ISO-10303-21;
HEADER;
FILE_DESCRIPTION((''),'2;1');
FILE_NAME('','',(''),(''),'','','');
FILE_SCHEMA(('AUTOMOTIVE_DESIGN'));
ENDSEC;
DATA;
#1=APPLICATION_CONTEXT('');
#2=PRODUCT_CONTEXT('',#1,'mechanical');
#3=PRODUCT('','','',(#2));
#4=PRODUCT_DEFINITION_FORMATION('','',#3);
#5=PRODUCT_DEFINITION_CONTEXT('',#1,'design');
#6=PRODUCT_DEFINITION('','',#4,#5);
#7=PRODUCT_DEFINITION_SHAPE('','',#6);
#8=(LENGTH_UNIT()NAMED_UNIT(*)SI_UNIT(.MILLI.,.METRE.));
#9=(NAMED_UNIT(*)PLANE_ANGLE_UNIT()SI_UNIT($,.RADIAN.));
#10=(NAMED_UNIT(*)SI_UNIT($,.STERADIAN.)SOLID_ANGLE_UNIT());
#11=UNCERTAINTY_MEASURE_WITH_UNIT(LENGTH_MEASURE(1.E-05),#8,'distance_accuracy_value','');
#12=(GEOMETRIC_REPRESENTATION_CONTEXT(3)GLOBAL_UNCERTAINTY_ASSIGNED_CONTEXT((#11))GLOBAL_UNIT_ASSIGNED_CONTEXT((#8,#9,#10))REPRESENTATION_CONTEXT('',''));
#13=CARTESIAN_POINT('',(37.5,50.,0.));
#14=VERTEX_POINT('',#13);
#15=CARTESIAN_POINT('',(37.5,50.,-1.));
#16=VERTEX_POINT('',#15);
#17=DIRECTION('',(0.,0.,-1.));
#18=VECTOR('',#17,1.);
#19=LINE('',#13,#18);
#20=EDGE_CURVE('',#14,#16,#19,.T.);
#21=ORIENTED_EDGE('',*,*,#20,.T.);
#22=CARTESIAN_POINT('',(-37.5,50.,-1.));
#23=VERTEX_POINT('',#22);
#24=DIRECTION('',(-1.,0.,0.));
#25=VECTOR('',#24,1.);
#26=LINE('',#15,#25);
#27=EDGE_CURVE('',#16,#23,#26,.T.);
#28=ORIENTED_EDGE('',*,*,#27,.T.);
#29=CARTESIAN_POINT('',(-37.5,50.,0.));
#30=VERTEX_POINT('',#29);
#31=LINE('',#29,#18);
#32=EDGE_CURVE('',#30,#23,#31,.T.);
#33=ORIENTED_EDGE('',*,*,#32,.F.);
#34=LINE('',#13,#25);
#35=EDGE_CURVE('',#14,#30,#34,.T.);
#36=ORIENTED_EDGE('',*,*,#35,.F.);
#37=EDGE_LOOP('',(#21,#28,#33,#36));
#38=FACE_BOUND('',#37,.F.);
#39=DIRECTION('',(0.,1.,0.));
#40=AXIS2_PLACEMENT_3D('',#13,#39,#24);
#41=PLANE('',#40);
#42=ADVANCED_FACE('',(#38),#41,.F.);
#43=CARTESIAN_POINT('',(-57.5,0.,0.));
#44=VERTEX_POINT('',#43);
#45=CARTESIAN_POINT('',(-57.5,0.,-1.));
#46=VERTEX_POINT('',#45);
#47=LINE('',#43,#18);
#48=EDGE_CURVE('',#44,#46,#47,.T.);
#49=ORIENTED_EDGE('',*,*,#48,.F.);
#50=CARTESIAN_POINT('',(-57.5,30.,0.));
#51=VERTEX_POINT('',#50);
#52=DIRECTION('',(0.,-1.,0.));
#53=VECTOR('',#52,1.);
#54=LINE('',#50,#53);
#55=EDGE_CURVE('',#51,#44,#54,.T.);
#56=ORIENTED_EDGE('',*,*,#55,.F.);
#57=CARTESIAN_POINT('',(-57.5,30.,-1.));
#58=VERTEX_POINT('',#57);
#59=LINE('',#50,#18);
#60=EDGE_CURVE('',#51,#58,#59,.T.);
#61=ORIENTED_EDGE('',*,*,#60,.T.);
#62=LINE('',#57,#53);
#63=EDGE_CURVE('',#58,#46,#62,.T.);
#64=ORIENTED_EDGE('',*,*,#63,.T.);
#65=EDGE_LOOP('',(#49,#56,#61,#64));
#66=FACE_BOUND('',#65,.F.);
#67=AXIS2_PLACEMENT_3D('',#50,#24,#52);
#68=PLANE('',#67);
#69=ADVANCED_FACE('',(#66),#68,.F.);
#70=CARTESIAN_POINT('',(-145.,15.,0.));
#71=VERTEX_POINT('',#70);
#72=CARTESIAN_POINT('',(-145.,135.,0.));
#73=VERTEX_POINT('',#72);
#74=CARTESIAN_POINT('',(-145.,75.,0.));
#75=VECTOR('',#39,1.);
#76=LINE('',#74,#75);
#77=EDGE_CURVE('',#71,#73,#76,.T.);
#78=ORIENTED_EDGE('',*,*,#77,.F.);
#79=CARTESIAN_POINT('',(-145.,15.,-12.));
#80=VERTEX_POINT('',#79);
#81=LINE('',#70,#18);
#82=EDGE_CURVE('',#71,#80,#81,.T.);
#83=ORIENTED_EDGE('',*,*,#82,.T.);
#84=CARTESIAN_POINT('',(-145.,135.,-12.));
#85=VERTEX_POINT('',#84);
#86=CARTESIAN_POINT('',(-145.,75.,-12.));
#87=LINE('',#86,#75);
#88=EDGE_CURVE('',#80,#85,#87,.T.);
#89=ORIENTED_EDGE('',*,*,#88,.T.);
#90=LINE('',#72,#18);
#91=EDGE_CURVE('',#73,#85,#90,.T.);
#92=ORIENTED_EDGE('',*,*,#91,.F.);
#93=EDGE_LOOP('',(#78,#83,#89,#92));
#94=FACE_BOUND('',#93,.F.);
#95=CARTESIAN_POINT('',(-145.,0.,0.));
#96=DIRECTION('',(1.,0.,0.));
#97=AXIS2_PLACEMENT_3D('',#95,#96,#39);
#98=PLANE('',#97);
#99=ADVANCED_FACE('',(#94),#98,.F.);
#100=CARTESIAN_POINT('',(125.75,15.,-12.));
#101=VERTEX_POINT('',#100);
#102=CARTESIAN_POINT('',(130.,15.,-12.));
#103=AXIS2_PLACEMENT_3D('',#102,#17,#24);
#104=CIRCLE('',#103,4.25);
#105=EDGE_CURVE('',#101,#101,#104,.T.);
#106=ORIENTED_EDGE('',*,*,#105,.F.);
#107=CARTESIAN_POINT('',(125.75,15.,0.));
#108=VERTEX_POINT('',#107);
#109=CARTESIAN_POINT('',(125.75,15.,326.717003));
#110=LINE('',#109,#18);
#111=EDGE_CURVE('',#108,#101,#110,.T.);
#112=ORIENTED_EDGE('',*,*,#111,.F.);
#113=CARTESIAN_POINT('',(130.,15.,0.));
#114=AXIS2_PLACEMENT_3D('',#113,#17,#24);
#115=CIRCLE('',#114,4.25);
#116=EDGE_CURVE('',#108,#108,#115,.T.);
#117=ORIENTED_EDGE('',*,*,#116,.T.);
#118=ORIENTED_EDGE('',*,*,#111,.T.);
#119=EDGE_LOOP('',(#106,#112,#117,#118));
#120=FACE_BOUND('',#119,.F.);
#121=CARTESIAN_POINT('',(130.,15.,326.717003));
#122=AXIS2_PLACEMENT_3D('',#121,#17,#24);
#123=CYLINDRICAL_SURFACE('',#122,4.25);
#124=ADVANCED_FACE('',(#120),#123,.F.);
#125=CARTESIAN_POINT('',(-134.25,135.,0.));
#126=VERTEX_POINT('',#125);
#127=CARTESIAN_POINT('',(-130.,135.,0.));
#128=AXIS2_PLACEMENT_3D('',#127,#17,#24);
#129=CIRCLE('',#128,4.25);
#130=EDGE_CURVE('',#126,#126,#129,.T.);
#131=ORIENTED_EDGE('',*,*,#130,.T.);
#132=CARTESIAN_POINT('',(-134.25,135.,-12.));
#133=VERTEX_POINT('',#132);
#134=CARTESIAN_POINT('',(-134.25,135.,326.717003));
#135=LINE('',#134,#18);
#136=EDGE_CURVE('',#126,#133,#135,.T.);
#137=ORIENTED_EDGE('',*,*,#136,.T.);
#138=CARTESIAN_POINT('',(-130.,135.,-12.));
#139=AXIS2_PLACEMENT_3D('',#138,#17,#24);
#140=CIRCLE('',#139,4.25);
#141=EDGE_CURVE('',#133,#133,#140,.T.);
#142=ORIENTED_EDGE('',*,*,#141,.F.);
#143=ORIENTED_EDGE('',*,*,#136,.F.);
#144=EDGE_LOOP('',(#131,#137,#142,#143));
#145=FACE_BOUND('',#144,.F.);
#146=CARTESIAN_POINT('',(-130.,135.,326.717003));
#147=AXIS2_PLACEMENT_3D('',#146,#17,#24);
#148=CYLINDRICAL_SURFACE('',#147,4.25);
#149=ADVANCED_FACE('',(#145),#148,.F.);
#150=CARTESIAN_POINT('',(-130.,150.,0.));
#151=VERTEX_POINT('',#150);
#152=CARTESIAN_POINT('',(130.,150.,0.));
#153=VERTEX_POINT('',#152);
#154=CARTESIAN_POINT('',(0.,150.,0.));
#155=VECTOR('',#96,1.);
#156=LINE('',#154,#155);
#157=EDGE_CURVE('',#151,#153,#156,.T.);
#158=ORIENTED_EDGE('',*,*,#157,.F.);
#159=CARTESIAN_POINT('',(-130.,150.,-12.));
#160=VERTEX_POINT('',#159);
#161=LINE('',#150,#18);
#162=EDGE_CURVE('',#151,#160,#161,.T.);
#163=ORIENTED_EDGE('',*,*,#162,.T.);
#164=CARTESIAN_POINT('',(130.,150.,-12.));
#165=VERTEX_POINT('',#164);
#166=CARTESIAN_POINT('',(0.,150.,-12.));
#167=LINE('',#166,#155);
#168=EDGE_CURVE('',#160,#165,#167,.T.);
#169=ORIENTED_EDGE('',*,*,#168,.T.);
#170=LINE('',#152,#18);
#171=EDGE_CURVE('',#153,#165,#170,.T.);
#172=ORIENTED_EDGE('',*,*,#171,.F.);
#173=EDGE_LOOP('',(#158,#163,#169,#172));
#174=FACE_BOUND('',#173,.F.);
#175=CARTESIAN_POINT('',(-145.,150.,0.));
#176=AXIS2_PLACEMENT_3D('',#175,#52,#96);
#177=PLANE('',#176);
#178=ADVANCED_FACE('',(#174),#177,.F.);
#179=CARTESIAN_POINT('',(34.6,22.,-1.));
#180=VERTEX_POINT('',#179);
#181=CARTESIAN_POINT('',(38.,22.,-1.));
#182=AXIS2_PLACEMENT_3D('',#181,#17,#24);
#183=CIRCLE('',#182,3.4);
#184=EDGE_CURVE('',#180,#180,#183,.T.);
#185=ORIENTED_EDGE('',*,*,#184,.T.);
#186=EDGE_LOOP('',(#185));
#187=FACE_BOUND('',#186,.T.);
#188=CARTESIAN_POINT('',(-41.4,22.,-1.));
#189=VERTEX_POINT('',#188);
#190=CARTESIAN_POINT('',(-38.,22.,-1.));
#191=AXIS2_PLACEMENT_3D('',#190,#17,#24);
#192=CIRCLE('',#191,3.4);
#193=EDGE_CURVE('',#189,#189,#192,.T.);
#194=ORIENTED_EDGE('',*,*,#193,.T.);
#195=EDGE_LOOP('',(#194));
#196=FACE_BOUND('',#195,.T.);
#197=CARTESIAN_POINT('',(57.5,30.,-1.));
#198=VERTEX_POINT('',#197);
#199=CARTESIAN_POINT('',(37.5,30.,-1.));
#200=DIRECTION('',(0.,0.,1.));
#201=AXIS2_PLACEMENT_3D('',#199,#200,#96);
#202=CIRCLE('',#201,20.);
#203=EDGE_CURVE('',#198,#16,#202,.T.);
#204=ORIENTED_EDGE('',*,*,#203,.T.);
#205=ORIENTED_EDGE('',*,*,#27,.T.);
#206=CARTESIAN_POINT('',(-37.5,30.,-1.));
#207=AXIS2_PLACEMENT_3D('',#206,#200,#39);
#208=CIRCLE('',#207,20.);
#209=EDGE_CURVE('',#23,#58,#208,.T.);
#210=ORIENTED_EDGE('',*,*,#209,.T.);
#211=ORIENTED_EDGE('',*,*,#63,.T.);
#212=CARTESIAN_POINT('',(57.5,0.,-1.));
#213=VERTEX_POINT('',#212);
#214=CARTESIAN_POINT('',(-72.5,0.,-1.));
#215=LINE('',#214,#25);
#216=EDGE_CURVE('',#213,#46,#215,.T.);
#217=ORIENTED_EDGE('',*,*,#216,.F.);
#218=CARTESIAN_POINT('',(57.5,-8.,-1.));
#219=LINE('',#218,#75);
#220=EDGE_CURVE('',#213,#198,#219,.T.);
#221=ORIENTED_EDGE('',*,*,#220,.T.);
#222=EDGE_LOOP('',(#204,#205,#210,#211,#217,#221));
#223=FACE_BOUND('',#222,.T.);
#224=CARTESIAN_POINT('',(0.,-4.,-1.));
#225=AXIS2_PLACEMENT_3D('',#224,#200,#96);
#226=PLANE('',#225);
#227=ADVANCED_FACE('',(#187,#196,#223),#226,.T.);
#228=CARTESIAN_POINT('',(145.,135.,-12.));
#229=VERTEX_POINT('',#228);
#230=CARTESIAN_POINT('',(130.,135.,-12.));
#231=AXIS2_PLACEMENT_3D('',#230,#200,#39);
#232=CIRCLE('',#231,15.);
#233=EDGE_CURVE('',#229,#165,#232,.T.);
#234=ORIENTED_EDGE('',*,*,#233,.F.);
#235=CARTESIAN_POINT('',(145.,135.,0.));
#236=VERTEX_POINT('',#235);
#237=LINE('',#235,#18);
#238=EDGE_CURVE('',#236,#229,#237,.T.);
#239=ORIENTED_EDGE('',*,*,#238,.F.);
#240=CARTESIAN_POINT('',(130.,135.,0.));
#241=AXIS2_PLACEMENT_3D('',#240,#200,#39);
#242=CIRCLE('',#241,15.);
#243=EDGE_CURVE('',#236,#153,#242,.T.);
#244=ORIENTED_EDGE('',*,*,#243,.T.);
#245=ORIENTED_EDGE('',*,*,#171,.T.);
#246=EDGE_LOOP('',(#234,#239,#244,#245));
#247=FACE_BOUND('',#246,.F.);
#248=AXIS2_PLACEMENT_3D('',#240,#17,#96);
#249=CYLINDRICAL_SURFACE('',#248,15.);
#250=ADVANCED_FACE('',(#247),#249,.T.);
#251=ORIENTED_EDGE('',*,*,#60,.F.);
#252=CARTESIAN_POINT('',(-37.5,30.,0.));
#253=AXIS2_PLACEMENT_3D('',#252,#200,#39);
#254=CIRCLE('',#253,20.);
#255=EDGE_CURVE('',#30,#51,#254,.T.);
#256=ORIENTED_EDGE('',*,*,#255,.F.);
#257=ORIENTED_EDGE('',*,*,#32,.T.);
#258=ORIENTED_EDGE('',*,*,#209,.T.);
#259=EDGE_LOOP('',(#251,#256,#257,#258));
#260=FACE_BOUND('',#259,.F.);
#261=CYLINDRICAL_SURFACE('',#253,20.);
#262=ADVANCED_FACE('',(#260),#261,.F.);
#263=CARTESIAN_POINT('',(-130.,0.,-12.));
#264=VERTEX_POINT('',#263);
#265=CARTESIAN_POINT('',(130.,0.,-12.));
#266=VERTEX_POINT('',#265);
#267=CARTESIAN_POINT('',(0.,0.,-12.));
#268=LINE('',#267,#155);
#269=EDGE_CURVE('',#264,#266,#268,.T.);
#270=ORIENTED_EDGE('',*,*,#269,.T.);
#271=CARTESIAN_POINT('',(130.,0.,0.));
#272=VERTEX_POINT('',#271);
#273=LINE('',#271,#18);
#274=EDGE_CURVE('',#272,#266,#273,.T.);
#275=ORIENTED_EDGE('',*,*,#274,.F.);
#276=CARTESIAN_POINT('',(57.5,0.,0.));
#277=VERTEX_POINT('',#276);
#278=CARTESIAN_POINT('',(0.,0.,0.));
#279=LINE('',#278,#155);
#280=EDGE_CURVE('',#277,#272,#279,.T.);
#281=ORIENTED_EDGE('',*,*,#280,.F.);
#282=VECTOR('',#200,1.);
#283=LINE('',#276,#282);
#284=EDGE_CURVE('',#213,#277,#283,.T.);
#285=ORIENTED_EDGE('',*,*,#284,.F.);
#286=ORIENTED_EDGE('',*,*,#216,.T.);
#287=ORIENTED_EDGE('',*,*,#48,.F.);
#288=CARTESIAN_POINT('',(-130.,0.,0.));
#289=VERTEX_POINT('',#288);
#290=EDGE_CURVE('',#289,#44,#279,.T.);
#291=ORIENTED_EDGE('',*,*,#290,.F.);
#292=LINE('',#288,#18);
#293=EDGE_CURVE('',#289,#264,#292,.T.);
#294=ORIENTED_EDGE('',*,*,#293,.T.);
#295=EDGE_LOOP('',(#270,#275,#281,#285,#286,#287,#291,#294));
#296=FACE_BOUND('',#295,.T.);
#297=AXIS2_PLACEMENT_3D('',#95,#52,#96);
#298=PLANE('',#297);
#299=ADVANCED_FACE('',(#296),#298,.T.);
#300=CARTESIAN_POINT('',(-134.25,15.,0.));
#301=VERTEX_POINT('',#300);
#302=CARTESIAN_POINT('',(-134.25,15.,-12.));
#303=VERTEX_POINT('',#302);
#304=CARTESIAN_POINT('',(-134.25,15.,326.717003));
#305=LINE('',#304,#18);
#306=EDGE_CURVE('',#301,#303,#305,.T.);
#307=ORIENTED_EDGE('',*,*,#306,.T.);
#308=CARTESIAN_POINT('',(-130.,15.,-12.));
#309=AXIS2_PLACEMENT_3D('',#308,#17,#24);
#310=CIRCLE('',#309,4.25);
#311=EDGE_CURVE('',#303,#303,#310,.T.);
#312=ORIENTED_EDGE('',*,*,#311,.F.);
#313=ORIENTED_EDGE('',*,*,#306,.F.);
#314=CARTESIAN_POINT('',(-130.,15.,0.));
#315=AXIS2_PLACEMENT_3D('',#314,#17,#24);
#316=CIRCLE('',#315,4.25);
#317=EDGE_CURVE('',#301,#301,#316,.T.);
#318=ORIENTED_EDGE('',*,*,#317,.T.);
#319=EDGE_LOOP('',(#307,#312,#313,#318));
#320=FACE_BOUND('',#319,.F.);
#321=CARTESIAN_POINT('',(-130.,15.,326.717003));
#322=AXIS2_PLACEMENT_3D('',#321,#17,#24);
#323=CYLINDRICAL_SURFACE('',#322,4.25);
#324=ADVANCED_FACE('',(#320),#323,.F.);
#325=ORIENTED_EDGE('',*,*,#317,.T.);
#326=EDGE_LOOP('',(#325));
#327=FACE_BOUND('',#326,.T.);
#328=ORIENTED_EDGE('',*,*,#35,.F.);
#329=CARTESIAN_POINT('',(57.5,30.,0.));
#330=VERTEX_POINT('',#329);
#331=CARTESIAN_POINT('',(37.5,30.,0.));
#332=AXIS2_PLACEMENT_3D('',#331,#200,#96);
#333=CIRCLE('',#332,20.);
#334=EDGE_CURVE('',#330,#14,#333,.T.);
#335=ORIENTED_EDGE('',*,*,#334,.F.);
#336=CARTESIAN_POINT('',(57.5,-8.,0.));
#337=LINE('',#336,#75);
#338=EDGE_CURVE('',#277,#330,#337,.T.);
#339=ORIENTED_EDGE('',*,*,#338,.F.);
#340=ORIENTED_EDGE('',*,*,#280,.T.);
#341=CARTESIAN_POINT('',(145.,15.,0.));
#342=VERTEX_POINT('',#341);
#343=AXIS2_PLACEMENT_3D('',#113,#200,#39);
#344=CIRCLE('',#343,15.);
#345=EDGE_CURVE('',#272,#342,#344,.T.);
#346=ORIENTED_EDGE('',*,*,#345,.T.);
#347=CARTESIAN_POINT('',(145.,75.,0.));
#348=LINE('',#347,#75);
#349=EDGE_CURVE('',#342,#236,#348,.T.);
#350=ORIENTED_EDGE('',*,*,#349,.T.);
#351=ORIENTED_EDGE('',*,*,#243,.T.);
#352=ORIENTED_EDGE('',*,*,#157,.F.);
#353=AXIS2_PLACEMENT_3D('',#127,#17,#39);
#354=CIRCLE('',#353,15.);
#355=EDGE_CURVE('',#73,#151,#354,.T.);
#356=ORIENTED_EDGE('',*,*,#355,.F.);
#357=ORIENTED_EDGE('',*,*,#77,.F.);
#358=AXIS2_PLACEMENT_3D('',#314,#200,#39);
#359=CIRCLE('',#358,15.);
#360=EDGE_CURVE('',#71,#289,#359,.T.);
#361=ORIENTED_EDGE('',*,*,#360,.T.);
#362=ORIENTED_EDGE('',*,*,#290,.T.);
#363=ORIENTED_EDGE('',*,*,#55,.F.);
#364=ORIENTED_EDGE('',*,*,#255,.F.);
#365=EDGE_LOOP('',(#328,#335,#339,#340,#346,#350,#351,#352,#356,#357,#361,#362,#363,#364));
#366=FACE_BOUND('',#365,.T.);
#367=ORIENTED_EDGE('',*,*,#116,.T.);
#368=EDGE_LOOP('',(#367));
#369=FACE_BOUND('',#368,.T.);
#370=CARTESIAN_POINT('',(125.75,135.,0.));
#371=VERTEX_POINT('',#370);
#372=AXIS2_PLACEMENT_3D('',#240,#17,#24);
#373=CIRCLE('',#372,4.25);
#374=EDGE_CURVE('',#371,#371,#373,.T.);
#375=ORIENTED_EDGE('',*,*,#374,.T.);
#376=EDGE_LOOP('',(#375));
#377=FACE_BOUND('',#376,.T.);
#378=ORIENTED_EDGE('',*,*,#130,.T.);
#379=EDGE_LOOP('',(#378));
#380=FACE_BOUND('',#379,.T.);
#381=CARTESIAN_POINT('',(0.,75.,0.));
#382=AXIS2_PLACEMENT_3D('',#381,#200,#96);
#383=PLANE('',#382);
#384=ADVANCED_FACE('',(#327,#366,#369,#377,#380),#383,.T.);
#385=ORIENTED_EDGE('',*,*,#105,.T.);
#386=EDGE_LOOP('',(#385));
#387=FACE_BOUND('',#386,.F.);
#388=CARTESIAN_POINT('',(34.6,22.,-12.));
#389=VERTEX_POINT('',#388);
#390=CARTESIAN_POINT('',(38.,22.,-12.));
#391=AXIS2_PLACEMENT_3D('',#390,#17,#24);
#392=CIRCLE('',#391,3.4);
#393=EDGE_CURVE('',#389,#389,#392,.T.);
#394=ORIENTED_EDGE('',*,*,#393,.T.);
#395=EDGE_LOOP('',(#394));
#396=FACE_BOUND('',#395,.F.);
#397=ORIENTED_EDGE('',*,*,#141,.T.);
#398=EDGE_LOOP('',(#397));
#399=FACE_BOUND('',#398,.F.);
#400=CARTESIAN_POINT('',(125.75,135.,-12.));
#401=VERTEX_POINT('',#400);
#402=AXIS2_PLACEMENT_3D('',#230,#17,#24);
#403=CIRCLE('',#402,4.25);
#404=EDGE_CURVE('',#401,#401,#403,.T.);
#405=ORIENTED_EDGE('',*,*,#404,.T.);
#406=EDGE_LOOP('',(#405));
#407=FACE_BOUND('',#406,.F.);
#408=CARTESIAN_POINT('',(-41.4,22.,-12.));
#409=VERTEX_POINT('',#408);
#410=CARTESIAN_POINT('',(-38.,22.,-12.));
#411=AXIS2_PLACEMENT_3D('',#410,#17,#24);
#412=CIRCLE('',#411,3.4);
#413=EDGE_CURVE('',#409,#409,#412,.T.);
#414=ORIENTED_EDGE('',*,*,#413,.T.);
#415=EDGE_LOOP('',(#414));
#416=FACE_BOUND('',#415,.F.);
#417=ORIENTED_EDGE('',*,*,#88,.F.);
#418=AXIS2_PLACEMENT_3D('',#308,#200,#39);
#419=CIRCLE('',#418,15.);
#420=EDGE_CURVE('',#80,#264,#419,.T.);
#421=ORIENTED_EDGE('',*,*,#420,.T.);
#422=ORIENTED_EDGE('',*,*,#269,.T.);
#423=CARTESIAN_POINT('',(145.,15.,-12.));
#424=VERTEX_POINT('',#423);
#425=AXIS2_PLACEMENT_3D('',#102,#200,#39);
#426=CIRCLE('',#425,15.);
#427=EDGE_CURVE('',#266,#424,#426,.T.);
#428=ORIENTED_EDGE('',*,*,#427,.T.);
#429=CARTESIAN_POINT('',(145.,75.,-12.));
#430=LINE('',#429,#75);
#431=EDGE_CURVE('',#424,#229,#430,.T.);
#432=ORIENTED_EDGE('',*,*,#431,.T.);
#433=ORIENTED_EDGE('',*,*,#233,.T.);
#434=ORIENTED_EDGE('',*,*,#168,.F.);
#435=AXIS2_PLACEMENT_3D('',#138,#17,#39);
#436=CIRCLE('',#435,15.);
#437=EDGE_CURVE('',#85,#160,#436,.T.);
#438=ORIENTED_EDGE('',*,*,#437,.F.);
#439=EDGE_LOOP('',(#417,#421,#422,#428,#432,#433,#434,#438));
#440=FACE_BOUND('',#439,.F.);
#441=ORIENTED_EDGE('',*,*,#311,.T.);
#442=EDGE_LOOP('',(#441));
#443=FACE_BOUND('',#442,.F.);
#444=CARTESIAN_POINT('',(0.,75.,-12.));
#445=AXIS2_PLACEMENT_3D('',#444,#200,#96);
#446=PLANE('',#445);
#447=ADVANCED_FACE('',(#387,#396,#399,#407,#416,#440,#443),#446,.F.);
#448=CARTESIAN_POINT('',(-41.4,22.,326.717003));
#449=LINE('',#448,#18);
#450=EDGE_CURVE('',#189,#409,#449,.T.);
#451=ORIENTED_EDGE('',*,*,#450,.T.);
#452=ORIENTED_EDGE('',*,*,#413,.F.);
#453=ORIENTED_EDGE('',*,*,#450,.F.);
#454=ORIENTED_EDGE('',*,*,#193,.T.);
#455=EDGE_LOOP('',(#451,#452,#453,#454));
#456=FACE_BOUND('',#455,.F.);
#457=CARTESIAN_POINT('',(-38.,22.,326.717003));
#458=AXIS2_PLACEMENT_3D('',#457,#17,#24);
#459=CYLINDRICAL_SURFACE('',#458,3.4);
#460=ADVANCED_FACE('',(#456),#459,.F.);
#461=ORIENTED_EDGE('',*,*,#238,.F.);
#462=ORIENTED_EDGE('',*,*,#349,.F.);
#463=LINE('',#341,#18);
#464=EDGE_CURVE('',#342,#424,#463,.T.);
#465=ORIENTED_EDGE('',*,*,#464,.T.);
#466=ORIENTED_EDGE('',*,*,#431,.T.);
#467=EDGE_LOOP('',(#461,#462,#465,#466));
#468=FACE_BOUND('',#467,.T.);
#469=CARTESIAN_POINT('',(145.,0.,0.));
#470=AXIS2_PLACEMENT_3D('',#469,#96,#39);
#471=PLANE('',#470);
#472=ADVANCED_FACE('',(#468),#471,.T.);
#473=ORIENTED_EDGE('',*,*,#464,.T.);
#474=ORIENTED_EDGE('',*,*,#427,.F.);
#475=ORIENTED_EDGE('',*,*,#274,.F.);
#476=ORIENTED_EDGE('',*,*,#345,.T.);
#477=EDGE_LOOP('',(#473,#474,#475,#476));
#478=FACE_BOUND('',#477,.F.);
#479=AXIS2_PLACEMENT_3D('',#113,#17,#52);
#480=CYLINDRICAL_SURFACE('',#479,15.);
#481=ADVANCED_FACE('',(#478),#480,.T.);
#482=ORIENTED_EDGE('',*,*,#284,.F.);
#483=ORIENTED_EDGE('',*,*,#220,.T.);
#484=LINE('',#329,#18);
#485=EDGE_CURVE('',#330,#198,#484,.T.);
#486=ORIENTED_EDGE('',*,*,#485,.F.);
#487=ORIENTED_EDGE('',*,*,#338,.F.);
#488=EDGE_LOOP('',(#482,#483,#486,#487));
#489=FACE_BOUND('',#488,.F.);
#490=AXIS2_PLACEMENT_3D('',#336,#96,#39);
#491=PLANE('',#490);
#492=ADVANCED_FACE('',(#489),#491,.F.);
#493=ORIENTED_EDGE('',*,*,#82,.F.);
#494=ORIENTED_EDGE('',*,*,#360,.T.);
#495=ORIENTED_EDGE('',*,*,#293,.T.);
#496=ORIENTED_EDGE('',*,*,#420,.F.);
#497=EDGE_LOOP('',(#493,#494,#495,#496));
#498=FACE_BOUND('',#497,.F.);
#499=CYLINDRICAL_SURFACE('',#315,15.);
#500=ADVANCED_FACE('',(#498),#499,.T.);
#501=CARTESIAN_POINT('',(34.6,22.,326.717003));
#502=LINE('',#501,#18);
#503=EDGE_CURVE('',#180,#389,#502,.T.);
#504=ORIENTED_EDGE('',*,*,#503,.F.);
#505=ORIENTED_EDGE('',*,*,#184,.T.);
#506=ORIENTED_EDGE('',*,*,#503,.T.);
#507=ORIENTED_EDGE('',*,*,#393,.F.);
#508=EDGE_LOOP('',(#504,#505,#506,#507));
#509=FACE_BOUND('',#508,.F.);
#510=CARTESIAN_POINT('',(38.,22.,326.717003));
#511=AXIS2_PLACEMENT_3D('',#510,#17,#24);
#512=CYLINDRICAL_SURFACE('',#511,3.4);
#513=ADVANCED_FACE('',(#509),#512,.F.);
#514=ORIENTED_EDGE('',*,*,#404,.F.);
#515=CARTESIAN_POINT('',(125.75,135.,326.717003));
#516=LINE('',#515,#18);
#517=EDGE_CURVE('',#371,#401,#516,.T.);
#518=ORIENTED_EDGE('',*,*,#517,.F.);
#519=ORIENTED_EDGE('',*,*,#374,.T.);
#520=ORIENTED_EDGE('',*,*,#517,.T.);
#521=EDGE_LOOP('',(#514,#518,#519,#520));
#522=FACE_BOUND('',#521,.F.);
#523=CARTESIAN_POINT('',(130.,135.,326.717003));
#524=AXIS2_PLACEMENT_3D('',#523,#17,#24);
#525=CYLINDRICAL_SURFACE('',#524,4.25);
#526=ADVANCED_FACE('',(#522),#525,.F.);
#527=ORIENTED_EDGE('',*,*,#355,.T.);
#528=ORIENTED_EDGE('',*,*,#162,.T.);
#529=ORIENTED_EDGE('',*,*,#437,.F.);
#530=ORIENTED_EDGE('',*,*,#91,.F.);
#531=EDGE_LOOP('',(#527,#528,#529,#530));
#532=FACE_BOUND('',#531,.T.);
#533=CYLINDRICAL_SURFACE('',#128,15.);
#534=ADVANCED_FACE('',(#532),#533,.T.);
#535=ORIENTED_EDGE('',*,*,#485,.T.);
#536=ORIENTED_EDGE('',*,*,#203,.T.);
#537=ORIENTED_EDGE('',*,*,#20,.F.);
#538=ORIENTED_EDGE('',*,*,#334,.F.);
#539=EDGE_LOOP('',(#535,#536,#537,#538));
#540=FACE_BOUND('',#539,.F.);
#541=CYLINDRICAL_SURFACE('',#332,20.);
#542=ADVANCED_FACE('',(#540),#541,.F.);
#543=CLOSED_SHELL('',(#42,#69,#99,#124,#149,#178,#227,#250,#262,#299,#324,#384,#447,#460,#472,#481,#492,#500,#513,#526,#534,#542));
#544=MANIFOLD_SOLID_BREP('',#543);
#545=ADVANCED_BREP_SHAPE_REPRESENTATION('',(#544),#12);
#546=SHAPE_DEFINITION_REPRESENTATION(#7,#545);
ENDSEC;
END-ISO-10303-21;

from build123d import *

# Parameters (mm, degrees)
F0_W     = 290
F0_H     = 150
F1_DEPTH = 12
F2_R     = 15
F4_D     = 8.5
F3_W     = 115
F3_H     = 8
F5_DEPTH = 1
F6_D     = 6.8


with BuildPart() as f1:
    # F0 (on Top) → F1 (new body)
    with BuildSketch(Plane.XY):
        with Locations((0, 75)):
            Rectangle(F0_W, F0_H)
    extrude(amount=-F1_DEPTH)

    # F2
    f2_edges = [f1.edges().sort_by_distance(p)[0] for p in [
        (-145, 150, -6),
        (-145, 0, -6),
        (145, 150, -6),
        (145, 0, -6),
    ]]
    fillet(f2_edges, radius=F2_R)

    # F4 (through all)
    with Locations(Plane.XY):
        with Locations((130, 135), (130, 15), (-130, 135), (-130, 15)):
            Hole(F4_D / 2)

    # F3 (on face) → F5 (cut)
    with BuildSketch(Plane.XY):
        with Locations((0, -4)):
            Rectangle(F3_W, F3_H)
        with BuildLine():
            Line((57.5, 0), (57.5, 30))
            ThreePointArc((57.5, 30), (51.6421356237, 44.1421356237), (37.5, 50))
            Line((37.5, 50), (-37.5, 50))
            ThreePointArc((-37.5, 50), (-51.6421356237, 44.1421356237), (-57.5, 30))
            Line((-57.5, 30), (-57.5, 0))
            Line((-57.5, 0), (57.5, 0))
        make_face()
    extrude(amount=-F5_DEPTH, mode=Mode.SUBTRACT)

    # F6 (through all)
    with Locations(Plane.XY):
        with Locations((38, 22), (-38, 22)):
            Hole(F6_D / 2)


solid = f1.part
